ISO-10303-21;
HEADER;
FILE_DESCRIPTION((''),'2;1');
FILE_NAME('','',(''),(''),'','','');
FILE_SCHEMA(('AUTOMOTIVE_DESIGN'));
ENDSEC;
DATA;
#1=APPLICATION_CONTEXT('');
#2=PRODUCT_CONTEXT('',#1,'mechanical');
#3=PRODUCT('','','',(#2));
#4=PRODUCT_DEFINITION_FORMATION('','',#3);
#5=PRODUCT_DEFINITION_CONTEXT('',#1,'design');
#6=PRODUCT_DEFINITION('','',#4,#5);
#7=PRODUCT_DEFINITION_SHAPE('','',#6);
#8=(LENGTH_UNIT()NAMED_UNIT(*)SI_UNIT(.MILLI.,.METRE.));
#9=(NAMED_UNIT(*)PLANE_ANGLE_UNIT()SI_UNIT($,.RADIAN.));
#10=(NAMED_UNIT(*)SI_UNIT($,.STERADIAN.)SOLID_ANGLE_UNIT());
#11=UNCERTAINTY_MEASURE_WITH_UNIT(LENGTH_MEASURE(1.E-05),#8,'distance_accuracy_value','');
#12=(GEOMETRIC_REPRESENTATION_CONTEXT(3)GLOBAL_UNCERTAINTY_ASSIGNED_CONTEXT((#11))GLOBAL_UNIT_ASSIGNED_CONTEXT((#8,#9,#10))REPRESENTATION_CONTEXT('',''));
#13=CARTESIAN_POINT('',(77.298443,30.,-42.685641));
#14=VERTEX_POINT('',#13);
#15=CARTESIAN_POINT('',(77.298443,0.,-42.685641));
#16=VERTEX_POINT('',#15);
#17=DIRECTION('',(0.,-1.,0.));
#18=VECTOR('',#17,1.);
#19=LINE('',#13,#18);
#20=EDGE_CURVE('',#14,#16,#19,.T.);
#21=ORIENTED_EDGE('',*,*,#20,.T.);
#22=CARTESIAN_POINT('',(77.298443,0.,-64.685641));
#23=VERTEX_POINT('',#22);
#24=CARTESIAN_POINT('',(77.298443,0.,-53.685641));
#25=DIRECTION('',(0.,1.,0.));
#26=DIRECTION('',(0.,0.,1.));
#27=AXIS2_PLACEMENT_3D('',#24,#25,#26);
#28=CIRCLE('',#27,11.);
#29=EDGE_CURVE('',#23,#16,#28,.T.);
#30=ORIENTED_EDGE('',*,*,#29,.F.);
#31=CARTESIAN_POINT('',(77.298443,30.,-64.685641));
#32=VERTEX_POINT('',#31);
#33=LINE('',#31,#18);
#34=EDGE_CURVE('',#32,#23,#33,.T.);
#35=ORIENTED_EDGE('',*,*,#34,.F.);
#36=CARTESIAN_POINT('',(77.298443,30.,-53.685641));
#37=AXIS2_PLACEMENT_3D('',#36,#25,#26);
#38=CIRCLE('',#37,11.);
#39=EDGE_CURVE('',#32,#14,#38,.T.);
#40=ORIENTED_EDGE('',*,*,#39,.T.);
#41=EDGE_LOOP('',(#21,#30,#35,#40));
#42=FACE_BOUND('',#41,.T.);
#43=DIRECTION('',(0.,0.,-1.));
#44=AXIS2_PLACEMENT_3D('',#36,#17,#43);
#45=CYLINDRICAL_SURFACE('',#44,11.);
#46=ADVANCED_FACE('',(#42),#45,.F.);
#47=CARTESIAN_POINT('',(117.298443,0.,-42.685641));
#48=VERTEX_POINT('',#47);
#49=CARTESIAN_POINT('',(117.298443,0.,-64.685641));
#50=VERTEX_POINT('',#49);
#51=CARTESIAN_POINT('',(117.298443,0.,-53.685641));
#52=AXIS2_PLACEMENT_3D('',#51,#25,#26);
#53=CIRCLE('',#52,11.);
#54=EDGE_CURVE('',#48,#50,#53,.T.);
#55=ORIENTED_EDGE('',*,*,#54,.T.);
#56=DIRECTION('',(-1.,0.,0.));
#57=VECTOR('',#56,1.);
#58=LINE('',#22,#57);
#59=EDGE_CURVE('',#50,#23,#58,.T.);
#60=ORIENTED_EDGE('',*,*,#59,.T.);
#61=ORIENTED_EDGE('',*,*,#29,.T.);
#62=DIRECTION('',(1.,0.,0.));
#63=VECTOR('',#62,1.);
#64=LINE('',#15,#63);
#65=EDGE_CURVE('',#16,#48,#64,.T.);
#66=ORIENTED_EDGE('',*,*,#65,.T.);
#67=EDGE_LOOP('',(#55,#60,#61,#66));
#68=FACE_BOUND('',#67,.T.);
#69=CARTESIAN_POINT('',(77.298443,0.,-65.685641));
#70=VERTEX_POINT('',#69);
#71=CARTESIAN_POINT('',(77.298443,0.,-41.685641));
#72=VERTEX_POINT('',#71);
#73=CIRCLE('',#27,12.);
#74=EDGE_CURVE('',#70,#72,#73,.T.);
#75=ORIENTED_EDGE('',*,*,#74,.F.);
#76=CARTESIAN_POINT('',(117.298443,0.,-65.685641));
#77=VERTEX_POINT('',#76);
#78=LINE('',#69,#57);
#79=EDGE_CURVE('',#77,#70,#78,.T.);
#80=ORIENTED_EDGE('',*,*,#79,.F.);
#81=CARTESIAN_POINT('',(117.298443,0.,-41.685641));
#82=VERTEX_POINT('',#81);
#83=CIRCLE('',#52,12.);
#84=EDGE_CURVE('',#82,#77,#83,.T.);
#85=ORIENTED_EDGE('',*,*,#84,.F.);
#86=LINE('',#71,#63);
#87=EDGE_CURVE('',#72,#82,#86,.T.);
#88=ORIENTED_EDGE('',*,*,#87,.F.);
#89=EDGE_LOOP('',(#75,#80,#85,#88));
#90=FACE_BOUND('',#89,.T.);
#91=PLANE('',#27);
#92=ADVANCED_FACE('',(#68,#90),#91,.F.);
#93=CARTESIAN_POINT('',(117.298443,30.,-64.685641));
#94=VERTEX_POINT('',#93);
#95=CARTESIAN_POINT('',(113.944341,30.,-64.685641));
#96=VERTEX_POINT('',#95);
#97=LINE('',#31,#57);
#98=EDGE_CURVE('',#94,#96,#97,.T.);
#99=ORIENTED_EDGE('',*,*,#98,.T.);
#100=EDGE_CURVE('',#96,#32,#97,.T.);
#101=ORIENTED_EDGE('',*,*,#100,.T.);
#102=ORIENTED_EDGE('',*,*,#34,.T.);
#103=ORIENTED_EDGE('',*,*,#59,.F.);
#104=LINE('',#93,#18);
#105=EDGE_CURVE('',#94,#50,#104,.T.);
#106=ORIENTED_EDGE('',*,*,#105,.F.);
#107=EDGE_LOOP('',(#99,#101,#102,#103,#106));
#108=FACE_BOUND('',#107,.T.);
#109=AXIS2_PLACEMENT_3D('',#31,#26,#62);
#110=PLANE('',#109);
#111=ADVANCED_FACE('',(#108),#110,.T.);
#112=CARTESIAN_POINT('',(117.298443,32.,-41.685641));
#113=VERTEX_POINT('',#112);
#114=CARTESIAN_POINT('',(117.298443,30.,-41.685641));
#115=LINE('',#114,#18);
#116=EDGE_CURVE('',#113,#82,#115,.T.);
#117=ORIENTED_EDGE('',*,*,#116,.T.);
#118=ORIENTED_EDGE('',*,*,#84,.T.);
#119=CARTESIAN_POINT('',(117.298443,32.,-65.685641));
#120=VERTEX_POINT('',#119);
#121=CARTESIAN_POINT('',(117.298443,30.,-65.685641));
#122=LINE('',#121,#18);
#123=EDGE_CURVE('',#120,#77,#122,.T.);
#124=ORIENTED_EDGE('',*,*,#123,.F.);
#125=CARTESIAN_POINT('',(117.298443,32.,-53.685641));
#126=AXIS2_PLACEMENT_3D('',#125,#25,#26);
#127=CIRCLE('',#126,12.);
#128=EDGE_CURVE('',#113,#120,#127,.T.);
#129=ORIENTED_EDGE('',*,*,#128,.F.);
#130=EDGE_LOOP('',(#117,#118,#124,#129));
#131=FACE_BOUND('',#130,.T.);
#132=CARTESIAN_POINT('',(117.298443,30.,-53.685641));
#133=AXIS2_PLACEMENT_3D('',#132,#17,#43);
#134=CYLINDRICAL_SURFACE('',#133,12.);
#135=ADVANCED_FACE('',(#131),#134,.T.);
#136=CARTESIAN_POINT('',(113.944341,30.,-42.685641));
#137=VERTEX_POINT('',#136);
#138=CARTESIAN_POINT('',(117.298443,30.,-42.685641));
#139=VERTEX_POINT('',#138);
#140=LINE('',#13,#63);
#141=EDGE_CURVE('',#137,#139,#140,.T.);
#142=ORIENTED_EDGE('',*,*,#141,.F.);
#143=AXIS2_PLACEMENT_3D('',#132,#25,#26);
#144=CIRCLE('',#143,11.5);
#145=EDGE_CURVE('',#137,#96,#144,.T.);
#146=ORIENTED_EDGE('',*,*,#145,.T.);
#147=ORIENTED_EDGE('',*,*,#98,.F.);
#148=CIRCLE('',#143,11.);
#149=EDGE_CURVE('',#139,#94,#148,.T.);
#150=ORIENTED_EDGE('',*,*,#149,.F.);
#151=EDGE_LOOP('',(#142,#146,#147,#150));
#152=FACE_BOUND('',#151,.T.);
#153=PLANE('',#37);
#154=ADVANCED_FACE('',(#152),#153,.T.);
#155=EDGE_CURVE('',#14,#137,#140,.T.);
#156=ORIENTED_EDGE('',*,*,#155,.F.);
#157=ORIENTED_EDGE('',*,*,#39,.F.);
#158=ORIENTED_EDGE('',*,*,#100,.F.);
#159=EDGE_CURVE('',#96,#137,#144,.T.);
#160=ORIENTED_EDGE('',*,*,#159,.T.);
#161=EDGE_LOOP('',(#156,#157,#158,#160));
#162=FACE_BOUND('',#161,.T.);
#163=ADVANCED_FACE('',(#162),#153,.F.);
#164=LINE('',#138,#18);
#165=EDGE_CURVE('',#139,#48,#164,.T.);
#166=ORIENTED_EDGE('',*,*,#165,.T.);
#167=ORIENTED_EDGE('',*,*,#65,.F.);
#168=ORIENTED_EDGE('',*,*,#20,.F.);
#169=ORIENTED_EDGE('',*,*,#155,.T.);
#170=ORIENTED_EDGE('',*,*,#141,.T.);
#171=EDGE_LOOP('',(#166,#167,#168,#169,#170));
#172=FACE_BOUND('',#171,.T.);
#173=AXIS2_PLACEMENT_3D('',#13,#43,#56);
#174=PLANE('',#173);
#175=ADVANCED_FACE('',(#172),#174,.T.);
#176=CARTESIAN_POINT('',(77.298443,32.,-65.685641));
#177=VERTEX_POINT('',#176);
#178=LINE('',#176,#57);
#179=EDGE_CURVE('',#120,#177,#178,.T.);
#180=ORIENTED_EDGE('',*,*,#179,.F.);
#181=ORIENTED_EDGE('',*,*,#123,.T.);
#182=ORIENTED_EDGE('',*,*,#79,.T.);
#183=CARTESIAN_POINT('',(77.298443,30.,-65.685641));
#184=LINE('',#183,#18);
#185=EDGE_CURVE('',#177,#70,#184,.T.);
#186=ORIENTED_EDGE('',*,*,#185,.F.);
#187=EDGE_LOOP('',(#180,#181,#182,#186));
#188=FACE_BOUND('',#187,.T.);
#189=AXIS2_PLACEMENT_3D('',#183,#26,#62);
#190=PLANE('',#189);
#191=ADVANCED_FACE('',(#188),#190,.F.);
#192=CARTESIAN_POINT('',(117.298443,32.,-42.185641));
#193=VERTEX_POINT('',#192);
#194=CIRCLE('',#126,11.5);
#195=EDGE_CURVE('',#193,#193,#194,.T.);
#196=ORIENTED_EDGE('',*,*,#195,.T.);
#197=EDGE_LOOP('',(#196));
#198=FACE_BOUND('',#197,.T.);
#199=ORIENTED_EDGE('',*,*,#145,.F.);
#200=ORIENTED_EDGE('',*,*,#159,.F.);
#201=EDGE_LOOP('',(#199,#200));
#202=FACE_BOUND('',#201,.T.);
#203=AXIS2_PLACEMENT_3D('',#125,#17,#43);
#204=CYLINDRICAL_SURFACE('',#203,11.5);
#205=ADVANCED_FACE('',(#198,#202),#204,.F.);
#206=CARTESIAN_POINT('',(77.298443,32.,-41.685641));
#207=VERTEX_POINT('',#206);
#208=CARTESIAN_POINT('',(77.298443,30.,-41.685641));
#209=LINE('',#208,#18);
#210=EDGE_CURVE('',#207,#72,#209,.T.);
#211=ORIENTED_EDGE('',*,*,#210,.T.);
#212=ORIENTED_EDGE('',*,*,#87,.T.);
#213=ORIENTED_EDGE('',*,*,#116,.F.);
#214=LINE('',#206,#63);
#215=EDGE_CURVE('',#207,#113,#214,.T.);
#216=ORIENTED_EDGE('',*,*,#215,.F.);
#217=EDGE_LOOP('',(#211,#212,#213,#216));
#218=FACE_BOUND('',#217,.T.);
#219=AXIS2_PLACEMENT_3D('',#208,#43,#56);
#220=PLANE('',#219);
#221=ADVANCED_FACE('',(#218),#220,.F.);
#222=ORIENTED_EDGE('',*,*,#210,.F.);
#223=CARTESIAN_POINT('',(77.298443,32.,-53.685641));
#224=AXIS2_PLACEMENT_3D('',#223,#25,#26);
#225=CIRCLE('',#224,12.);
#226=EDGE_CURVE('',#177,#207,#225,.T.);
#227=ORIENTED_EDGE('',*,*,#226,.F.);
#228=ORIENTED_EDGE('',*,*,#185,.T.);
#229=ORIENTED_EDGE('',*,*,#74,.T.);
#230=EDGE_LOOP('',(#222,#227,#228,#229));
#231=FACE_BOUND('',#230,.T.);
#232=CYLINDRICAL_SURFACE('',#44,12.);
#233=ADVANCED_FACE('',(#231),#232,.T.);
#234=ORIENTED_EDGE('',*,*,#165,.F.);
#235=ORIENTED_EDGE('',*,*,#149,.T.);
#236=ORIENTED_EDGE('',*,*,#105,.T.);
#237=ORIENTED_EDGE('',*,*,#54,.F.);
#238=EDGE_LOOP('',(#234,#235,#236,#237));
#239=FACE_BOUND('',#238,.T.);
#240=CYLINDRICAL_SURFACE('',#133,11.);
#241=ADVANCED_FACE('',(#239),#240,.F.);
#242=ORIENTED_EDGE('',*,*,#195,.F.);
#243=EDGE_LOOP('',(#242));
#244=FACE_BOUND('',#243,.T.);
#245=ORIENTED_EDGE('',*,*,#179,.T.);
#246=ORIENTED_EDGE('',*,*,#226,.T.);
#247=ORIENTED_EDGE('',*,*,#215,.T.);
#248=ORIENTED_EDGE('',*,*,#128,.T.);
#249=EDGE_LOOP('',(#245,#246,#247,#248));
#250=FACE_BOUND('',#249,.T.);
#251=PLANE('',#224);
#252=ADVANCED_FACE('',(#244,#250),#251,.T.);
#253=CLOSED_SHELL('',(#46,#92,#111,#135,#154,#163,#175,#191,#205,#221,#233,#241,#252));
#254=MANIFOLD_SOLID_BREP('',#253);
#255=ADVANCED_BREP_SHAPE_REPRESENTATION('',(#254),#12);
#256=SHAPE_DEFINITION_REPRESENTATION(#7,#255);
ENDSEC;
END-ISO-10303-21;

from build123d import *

# Parameters (mm, degrees)
BOSS_EXTRUDE1_DEPTH = 30
SKETCH3_R           = 11.5
BOSS_EXTRUDE2_DEPTH = 2


with BuildPart() as part:
    # Sketch2 → Boss-Extrude1 (new body)
    with BuildSketch(Plane(origin=(0, 0, 0), x_dir=(1, 0, 0), z_dir=(0, 1, 0))):
        with BuildLine():
            Line((77.29844251, 41.68564095), (117.29844251, 41.68564095))
            ThreePointArc((117.29844251, 41.68564095), (129.29844251, 53.68564095), (117.29844251, 65.68564095))
            Line((117.29844251, 65.68564095), (77.29844251, 65.68564095))
            ThreePointArc((77.29844251, 65.68564095), (65.29844251, 53.68564095), (77.29844251, 41.68564095))
        make_face()
        with BuildLine():
            Line((77.29844251, 64.68564095), (117.29844251, 64.68564095))
            ThreePointArc((117.29844251, 64.68564095), (128.29844251, 53.68564095), (117.29844251, 42.68564095))
            Line((117.29844251, 42.68564095), (77.29844251, 42.68564095))
            ThreePointArc((77.29844251, 42.68564095), (66.29844251, 53.68564095), (77.29844251, 64.68564095))
        make_face(mode=Mode.SUBTRACT)
    extrude(amount=BOSS_EXTRUDE1_DEPTH)

    # Sketch3 → Boss-Extrude2 (add)
    with BuildSketch(Plane(origin=(0, 30, 0), x_dir=(1, 0, 0), z_dir=(0, 1, 0))):
        with BuildLine():
            Line((77.29844251, 65.68564095), (117.29844251, 65.68564095))
            ThreePointArc((117.29844251, 65.68564095), (129.29844251, 53.68564095), (117.29844251, 41.68564095))
            Line((117.29844251, 41.68564095), (77.29844251, 41.68564095))
            ThreePointArc((77.29844251, 41.68564095), (65.29844251, 53.68564095), (77.29844251, 65.68564095))
        make_face()
        with Locations(Location((117.29844251, 53.68564095, 0), (0, 0, 106.957426294))):
            Circle(SKETCH3_R, mode=Mode.SUBTRACT)
    extrude(amount=BOSS_EXTRUDE2_DEPTH)


solid = part.part
